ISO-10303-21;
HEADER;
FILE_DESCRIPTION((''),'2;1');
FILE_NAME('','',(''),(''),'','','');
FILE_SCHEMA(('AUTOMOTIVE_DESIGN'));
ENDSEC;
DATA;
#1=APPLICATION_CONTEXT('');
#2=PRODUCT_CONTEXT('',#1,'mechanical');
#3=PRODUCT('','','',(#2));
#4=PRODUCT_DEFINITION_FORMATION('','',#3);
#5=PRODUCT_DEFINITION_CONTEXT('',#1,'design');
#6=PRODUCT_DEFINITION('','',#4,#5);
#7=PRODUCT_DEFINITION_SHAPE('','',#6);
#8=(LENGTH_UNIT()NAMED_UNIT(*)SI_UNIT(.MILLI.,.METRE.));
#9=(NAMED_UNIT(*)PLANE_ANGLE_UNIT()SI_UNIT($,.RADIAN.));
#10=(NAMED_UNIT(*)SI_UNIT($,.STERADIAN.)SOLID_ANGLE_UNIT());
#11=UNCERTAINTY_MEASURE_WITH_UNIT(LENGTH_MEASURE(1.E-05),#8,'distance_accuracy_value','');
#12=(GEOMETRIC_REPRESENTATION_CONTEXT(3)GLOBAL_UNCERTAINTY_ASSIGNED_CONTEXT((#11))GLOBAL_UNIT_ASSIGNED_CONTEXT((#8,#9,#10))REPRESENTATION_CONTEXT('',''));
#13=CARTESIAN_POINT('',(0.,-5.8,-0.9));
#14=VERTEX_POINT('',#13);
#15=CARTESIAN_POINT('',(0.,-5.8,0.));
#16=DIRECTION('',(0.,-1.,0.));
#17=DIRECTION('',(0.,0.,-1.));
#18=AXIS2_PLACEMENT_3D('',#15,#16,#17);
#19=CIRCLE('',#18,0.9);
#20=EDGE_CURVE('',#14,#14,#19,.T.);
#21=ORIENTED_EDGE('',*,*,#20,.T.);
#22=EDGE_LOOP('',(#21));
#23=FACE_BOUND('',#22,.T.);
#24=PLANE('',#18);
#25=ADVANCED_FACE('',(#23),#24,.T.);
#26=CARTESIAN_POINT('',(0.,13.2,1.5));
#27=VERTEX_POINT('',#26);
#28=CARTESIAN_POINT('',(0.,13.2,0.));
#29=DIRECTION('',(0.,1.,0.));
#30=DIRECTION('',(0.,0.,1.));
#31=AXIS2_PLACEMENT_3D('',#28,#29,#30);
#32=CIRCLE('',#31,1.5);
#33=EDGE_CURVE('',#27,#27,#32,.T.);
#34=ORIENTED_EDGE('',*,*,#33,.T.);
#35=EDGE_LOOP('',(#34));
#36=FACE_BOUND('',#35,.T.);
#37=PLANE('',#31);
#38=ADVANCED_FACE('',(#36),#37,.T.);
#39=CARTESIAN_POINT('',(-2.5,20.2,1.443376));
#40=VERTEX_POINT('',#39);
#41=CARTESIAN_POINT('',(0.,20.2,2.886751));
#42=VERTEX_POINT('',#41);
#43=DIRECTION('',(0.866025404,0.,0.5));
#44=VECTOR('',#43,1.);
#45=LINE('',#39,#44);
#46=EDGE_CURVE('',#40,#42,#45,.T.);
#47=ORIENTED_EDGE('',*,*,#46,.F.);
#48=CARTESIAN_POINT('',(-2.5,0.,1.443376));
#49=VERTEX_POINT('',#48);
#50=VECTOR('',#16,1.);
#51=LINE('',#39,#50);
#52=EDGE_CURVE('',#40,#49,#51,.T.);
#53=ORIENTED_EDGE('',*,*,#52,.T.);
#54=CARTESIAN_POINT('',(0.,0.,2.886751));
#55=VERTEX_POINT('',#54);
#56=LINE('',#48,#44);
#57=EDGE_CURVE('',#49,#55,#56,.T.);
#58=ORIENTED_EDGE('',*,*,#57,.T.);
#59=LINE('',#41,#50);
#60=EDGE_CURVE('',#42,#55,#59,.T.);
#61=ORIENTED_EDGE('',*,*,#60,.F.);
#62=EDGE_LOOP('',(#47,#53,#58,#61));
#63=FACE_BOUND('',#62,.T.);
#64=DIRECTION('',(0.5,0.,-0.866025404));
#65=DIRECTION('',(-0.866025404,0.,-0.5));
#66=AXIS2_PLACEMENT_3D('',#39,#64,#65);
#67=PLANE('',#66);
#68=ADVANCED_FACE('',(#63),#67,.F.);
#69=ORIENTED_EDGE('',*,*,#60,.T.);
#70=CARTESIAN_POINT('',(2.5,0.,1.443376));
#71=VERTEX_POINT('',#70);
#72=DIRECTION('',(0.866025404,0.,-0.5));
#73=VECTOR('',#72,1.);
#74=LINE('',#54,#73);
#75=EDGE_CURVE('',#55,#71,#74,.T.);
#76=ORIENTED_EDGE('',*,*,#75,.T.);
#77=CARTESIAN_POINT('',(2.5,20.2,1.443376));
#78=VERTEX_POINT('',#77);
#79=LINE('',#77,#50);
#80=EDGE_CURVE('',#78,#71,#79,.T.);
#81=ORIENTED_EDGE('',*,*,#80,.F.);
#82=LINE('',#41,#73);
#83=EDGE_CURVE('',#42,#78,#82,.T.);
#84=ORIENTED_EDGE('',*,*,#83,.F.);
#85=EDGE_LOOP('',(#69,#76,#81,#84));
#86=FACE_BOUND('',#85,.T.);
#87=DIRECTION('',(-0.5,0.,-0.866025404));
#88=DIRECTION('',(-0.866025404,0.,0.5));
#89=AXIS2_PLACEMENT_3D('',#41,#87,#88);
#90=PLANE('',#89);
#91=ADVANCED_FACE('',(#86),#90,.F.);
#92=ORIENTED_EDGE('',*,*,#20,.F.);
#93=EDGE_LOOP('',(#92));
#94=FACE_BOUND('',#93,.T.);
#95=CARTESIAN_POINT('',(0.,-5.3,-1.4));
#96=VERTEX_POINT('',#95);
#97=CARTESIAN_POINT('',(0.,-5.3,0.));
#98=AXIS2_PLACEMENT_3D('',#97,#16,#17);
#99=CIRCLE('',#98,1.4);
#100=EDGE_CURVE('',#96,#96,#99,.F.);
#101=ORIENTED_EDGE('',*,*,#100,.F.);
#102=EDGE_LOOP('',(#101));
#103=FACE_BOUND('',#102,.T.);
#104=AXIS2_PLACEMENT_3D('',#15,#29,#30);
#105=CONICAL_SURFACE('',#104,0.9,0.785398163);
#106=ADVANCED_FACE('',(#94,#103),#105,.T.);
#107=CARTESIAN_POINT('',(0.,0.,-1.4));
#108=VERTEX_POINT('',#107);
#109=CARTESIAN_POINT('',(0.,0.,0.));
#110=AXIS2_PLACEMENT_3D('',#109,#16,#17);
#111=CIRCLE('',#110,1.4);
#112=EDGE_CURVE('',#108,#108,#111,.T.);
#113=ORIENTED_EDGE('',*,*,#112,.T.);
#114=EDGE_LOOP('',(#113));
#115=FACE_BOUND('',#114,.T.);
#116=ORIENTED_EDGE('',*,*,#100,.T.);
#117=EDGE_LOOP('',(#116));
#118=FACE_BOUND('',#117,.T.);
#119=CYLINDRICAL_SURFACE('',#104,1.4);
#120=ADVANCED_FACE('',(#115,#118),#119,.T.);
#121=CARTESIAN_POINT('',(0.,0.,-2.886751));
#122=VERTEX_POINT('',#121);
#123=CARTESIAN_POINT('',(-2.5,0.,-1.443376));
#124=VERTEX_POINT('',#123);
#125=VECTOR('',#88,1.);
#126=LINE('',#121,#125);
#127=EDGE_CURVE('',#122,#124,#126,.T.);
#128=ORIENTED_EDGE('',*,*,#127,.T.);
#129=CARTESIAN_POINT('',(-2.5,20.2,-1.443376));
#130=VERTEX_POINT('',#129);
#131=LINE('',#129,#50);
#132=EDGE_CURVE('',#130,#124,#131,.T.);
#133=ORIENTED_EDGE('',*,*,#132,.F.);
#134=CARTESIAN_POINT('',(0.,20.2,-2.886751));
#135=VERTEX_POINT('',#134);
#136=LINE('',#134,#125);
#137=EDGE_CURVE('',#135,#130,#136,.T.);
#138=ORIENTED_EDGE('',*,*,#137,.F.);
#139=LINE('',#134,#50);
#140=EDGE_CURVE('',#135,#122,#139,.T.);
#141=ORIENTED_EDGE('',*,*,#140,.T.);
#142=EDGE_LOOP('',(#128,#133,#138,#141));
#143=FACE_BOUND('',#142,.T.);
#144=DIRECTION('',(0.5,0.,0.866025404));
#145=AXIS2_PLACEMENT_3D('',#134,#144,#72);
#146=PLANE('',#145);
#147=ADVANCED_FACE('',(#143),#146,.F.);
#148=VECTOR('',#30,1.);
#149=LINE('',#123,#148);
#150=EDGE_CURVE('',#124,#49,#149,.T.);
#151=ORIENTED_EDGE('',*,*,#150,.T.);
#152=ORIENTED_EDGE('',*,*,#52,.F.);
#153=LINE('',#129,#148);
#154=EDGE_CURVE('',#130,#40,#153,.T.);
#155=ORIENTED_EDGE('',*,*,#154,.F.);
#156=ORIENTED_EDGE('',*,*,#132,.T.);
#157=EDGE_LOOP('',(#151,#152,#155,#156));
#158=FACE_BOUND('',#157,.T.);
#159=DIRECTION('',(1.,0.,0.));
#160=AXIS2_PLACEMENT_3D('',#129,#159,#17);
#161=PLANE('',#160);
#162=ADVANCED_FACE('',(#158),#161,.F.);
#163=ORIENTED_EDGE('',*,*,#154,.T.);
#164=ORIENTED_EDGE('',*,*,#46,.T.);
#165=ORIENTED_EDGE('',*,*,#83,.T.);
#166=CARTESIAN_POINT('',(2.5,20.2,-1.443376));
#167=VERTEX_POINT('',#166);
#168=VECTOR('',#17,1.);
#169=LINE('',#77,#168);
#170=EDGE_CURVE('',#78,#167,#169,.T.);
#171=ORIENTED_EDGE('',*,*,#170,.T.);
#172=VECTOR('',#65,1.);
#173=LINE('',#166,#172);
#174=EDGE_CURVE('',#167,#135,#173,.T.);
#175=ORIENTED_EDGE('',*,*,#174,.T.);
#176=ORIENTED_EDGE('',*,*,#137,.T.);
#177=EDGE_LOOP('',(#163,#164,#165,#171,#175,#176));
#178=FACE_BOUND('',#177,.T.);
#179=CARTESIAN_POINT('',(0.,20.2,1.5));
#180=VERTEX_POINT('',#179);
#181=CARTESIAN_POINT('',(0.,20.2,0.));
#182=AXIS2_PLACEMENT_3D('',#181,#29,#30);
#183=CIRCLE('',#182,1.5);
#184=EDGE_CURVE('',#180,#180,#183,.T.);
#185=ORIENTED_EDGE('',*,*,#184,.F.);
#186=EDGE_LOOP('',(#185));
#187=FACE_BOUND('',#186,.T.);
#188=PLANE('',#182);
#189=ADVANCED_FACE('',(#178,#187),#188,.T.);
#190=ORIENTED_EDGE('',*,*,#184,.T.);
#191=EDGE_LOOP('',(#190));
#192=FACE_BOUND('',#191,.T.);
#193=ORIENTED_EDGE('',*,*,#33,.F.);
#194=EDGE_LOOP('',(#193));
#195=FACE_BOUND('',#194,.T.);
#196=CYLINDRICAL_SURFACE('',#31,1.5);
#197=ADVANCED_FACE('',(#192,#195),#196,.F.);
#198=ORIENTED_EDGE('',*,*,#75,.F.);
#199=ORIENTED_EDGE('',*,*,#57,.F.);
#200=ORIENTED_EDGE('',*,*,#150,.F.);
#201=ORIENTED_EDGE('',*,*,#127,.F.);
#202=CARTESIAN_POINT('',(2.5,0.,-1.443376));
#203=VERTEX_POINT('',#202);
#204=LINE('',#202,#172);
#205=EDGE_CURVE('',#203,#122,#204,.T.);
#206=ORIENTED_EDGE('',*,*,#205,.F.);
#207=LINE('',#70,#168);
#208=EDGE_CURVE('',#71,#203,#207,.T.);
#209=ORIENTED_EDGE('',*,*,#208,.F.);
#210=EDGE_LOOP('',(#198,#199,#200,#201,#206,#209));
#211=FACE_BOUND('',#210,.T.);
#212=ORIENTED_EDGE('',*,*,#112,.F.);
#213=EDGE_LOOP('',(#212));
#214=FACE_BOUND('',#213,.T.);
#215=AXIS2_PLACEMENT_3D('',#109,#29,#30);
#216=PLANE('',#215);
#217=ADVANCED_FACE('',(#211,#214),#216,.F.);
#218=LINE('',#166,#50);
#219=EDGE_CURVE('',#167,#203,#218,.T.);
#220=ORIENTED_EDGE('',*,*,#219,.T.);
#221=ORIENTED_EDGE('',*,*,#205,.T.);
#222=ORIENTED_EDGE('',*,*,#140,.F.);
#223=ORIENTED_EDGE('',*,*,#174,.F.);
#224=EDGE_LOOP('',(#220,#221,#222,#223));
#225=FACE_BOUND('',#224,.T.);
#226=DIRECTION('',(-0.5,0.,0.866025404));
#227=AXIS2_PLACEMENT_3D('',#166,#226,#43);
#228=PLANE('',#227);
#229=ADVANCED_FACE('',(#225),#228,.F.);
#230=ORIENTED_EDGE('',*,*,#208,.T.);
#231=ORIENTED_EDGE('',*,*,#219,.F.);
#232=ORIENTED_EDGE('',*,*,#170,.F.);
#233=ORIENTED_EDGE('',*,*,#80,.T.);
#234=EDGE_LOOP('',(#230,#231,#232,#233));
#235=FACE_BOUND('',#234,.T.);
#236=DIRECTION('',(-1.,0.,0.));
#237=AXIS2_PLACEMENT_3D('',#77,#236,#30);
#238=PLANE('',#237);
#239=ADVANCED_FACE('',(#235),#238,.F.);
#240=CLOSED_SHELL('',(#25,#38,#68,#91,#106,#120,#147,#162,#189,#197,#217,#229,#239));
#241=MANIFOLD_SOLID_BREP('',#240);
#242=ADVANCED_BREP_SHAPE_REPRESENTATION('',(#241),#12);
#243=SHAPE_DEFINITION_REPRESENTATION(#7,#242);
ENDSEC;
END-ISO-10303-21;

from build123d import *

# Parameters (mm, degrees)
EXTRUDE_1_DEPTH     = 20.2
SKETCH_2_R          = 1.4
EXTRUDE_2_DEPTH     = 5.8
CHAMFER_1_SIZE      = 0.5
SKETCH_3_R          = 1.5
CUT_EXTRUDE_1_DEPTH = 7


with BuildPart() as part:
    # Эскиз1 → Бобышка-Вытянуть1 (new body)
    with BuildSketch(Plane(origin=(0, 0, 0), x_dir=(1, 0, 0), z_dir=(0, 1, 0))):
        Polygon((0, 2.886751346), (-2.5, 1.443375673), (-2.5, -1.443375673), (0, -2.886751346), (2.5, -1.443375673), (2.5, 1.443375673), align=None)
    extrude(amount=EXTRUDE_1_DEPTH)

    # Эскиз2 → Бобышка-Вытянуть2 (add)
    with BuildSketch(Plane.XZ):
        with Locations(Location((0, 0, 0), (0, 0, 270))):
            Circle(SKETCH_2_R)
    extrude(amount=EXTRUDE_2_DEPTH)

    # Фаска1
    chamfer_1_edges = [part.edges().sort_by_distance(p)[0] for p in [
        (0, -5.8, 1.4),
    ]]
    chamfer(chamfer_1_edges, length=CHAMFER_1_SIZE)

    # Эскиз3 → Вырез-Вытянуть1 (cut)
    with BuildSketch(Plane(origin=(0, 20.2, 0), x_dir=(1, 0, 0), z_dir=(0, 1, 0))):
        with Locations(Location((0, 0, 0), (0, 0, 270))):
            Circle(SKETCH_3_R)
    extrude(amount=-CUT_EXTRUDE_1_DEPTH, mode=Mode.SUBTRACT)


solid = part.part
